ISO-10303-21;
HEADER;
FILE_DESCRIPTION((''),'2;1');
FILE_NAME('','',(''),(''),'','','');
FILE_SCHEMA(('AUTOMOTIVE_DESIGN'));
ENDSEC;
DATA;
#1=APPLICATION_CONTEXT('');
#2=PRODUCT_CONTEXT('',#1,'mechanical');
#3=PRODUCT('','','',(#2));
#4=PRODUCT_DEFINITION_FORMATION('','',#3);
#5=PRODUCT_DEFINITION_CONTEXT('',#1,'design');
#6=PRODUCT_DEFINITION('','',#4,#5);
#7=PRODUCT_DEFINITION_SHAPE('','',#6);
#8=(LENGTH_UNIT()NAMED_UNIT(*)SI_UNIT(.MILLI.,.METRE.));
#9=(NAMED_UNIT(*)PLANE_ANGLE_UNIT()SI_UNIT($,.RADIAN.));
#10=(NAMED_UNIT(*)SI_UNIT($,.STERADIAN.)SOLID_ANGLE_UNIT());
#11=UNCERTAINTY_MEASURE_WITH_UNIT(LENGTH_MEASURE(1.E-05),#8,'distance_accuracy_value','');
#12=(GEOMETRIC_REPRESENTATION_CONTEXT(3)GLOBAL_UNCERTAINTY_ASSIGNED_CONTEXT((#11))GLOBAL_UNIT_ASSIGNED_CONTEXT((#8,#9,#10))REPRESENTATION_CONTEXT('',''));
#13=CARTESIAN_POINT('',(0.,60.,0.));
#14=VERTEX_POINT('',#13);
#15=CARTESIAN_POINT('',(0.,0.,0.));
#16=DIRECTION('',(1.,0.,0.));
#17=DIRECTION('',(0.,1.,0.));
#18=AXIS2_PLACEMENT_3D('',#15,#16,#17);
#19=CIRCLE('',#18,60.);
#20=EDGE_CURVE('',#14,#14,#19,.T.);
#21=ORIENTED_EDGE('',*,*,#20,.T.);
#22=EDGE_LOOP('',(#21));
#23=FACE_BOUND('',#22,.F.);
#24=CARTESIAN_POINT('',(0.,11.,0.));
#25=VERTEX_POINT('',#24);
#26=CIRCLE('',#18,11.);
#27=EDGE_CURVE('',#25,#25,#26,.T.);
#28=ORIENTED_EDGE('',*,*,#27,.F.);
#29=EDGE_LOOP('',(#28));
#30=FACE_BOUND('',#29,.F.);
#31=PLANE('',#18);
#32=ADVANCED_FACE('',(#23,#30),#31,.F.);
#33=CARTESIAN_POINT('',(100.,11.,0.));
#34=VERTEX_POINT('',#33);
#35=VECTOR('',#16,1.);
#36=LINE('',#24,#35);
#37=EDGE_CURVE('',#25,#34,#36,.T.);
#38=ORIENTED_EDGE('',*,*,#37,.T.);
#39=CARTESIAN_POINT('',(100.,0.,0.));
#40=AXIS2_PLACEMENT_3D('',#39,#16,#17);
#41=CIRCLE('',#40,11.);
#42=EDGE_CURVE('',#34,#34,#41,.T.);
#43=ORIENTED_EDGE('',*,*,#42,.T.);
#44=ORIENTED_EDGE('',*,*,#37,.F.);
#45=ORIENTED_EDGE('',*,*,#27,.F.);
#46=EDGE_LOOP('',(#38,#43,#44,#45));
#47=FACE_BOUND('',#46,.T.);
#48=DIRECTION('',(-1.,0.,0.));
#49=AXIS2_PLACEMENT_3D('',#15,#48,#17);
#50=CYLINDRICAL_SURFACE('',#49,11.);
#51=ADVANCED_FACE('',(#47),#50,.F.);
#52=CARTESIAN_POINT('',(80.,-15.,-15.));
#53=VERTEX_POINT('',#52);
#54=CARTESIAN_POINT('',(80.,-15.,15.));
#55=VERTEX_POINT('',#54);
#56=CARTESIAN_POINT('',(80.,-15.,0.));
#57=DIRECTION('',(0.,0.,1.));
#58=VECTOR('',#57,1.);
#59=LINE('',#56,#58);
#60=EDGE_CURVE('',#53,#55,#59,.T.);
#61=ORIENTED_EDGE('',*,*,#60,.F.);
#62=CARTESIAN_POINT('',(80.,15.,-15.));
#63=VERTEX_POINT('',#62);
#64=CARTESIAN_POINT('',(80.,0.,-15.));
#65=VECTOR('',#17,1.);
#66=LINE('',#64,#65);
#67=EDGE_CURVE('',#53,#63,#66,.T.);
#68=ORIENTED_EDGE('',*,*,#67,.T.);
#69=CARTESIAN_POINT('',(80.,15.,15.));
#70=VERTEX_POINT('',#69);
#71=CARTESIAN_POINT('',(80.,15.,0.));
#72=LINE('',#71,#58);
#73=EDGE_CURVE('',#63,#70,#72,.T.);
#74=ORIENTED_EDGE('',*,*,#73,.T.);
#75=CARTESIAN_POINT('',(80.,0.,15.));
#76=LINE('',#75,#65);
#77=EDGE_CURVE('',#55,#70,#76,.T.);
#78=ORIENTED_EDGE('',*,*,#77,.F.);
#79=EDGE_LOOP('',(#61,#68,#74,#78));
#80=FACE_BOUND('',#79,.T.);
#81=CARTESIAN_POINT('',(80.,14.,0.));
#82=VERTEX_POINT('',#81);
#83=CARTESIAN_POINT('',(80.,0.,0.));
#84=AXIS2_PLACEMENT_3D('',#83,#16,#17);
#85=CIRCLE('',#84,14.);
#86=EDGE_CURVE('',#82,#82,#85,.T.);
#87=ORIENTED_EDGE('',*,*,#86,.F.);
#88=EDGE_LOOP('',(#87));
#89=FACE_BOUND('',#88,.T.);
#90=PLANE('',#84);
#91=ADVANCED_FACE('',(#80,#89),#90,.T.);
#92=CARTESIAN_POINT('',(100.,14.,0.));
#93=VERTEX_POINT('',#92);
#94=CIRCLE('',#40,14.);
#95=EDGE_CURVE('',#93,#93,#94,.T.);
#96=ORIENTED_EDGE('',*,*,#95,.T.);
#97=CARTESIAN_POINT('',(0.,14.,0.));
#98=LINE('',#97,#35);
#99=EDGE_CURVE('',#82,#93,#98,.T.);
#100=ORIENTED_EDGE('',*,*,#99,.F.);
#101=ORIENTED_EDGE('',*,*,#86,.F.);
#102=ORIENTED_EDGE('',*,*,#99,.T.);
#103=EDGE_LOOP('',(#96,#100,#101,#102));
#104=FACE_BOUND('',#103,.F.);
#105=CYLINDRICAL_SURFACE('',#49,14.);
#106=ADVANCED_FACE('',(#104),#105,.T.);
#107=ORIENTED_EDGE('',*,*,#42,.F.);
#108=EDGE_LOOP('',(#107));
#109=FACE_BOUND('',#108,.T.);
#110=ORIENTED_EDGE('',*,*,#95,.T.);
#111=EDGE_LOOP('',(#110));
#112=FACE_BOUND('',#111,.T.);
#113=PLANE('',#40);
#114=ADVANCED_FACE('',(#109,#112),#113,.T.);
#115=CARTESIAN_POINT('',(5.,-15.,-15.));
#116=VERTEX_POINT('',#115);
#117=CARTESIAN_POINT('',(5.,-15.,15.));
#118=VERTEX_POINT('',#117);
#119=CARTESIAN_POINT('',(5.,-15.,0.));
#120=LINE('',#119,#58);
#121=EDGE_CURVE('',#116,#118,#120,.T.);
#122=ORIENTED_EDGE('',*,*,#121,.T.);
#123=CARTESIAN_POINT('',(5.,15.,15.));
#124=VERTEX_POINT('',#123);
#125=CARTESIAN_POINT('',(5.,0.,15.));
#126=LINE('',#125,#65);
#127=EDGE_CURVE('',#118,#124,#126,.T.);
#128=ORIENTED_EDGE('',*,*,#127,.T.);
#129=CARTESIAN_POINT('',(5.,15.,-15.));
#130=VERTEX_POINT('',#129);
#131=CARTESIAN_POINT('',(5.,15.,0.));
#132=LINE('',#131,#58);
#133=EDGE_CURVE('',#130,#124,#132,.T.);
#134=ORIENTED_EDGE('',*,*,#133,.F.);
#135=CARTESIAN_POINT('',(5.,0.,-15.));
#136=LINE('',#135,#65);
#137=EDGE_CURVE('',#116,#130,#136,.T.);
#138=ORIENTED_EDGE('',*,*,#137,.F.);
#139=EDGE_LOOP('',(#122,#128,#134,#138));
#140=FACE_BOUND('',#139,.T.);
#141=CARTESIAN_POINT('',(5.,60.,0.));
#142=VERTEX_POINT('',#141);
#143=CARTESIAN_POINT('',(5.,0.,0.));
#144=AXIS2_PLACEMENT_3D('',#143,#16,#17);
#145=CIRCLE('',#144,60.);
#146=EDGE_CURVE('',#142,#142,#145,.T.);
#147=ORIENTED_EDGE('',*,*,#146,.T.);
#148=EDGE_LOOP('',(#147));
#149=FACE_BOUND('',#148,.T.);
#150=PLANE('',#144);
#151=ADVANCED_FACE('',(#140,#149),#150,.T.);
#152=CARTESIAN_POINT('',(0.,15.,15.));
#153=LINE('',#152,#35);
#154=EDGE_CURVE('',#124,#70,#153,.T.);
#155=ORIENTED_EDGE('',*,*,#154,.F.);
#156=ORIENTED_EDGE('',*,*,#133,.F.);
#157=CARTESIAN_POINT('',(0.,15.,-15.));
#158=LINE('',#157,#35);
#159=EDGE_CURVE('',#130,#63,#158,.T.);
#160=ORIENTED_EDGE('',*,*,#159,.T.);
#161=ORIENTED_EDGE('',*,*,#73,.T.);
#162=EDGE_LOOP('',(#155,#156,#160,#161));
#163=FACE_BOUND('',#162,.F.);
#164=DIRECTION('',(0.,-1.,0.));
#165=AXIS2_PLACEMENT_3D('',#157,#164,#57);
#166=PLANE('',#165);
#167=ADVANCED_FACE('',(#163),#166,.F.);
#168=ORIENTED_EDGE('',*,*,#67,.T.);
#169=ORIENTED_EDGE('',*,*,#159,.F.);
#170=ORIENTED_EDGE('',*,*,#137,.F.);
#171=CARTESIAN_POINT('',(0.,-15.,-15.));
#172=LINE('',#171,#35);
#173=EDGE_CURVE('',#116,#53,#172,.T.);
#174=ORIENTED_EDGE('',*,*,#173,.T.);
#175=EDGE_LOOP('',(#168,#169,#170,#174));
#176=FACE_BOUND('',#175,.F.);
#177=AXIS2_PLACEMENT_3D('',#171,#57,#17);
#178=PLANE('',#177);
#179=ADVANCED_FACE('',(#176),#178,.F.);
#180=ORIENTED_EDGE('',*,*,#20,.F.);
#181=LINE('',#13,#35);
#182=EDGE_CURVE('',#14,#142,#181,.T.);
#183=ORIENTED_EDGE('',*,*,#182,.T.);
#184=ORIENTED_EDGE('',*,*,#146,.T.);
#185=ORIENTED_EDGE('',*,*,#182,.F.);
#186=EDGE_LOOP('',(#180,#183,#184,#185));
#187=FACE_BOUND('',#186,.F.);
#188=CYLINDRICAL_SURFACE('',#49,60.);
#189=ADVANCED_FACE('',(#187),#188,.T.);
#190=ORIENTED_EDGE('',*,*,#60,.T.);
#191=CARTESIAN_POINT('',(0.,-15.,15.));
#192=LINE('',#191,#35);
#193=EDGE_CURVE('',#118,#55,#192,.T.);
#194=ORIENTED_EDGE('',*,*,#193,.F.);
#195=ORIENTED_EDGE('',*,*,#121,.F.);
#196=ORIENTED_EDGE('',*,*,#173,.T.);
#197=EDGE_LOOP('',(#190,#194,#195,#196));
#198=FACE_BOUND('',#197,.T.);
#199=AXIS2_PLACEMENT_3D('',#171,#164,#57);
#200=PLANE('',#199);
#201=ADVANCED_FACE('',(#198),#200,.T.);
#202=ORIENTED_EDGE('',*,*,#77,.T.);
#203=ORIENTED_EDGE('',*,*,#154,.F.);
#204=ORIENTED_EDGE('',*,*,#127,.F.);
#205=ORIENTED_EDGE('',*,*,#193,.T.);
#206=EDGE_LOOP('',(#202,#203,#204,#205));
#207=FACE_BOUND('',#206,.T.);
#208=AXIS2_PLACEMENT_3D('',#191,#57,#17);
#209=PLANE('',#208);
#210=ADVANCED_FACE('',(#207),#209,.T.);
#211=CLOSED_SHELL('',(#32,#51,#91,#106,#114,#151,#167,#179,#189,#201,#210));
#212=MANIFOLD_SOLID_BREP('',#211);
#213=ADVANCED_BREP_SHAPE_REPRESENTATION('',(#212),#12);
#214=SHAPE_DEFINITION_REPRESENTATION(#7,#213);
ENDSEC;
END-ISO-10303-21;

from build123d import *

# Parameters (mm, degrees)
F0_R     = 14
F0_R_2   = 11
F1_DEPTH = 100
F0_W     = 30
F0_H     = 30
F2_DEPTH = 80
F0_R_3   = 60
F3_DEPTH = 5


with BuildPart() as f1:
    # F0 (on Right) → F1 (new body)
    with BuildSketch(Plane.YZ):
        Circle(F0_R)
        Circle(F0_R_2, mode=Mode.SUBTRACT)
    extrude(amount=F1_DEPTH)

    # F0 (on Right) → F2 (join)
    with BuildSketch(Plane.YZ):
        Rectangle(F0_W, F0_H)
        Circle(F0_R, mode=Mode.SUBTRACT)
    extrude(amount=F2_DEPTH)

    # F0 (on Right) → F3 (join)
    with BuildSketch(Plane.YZ):
        Circle(F0_R_3)
        Rectangle(F0_W, F0_H, mode=Mode.SUBTRACT)
    extrude(amount=F3_DEPTH)


solid = f1.part
